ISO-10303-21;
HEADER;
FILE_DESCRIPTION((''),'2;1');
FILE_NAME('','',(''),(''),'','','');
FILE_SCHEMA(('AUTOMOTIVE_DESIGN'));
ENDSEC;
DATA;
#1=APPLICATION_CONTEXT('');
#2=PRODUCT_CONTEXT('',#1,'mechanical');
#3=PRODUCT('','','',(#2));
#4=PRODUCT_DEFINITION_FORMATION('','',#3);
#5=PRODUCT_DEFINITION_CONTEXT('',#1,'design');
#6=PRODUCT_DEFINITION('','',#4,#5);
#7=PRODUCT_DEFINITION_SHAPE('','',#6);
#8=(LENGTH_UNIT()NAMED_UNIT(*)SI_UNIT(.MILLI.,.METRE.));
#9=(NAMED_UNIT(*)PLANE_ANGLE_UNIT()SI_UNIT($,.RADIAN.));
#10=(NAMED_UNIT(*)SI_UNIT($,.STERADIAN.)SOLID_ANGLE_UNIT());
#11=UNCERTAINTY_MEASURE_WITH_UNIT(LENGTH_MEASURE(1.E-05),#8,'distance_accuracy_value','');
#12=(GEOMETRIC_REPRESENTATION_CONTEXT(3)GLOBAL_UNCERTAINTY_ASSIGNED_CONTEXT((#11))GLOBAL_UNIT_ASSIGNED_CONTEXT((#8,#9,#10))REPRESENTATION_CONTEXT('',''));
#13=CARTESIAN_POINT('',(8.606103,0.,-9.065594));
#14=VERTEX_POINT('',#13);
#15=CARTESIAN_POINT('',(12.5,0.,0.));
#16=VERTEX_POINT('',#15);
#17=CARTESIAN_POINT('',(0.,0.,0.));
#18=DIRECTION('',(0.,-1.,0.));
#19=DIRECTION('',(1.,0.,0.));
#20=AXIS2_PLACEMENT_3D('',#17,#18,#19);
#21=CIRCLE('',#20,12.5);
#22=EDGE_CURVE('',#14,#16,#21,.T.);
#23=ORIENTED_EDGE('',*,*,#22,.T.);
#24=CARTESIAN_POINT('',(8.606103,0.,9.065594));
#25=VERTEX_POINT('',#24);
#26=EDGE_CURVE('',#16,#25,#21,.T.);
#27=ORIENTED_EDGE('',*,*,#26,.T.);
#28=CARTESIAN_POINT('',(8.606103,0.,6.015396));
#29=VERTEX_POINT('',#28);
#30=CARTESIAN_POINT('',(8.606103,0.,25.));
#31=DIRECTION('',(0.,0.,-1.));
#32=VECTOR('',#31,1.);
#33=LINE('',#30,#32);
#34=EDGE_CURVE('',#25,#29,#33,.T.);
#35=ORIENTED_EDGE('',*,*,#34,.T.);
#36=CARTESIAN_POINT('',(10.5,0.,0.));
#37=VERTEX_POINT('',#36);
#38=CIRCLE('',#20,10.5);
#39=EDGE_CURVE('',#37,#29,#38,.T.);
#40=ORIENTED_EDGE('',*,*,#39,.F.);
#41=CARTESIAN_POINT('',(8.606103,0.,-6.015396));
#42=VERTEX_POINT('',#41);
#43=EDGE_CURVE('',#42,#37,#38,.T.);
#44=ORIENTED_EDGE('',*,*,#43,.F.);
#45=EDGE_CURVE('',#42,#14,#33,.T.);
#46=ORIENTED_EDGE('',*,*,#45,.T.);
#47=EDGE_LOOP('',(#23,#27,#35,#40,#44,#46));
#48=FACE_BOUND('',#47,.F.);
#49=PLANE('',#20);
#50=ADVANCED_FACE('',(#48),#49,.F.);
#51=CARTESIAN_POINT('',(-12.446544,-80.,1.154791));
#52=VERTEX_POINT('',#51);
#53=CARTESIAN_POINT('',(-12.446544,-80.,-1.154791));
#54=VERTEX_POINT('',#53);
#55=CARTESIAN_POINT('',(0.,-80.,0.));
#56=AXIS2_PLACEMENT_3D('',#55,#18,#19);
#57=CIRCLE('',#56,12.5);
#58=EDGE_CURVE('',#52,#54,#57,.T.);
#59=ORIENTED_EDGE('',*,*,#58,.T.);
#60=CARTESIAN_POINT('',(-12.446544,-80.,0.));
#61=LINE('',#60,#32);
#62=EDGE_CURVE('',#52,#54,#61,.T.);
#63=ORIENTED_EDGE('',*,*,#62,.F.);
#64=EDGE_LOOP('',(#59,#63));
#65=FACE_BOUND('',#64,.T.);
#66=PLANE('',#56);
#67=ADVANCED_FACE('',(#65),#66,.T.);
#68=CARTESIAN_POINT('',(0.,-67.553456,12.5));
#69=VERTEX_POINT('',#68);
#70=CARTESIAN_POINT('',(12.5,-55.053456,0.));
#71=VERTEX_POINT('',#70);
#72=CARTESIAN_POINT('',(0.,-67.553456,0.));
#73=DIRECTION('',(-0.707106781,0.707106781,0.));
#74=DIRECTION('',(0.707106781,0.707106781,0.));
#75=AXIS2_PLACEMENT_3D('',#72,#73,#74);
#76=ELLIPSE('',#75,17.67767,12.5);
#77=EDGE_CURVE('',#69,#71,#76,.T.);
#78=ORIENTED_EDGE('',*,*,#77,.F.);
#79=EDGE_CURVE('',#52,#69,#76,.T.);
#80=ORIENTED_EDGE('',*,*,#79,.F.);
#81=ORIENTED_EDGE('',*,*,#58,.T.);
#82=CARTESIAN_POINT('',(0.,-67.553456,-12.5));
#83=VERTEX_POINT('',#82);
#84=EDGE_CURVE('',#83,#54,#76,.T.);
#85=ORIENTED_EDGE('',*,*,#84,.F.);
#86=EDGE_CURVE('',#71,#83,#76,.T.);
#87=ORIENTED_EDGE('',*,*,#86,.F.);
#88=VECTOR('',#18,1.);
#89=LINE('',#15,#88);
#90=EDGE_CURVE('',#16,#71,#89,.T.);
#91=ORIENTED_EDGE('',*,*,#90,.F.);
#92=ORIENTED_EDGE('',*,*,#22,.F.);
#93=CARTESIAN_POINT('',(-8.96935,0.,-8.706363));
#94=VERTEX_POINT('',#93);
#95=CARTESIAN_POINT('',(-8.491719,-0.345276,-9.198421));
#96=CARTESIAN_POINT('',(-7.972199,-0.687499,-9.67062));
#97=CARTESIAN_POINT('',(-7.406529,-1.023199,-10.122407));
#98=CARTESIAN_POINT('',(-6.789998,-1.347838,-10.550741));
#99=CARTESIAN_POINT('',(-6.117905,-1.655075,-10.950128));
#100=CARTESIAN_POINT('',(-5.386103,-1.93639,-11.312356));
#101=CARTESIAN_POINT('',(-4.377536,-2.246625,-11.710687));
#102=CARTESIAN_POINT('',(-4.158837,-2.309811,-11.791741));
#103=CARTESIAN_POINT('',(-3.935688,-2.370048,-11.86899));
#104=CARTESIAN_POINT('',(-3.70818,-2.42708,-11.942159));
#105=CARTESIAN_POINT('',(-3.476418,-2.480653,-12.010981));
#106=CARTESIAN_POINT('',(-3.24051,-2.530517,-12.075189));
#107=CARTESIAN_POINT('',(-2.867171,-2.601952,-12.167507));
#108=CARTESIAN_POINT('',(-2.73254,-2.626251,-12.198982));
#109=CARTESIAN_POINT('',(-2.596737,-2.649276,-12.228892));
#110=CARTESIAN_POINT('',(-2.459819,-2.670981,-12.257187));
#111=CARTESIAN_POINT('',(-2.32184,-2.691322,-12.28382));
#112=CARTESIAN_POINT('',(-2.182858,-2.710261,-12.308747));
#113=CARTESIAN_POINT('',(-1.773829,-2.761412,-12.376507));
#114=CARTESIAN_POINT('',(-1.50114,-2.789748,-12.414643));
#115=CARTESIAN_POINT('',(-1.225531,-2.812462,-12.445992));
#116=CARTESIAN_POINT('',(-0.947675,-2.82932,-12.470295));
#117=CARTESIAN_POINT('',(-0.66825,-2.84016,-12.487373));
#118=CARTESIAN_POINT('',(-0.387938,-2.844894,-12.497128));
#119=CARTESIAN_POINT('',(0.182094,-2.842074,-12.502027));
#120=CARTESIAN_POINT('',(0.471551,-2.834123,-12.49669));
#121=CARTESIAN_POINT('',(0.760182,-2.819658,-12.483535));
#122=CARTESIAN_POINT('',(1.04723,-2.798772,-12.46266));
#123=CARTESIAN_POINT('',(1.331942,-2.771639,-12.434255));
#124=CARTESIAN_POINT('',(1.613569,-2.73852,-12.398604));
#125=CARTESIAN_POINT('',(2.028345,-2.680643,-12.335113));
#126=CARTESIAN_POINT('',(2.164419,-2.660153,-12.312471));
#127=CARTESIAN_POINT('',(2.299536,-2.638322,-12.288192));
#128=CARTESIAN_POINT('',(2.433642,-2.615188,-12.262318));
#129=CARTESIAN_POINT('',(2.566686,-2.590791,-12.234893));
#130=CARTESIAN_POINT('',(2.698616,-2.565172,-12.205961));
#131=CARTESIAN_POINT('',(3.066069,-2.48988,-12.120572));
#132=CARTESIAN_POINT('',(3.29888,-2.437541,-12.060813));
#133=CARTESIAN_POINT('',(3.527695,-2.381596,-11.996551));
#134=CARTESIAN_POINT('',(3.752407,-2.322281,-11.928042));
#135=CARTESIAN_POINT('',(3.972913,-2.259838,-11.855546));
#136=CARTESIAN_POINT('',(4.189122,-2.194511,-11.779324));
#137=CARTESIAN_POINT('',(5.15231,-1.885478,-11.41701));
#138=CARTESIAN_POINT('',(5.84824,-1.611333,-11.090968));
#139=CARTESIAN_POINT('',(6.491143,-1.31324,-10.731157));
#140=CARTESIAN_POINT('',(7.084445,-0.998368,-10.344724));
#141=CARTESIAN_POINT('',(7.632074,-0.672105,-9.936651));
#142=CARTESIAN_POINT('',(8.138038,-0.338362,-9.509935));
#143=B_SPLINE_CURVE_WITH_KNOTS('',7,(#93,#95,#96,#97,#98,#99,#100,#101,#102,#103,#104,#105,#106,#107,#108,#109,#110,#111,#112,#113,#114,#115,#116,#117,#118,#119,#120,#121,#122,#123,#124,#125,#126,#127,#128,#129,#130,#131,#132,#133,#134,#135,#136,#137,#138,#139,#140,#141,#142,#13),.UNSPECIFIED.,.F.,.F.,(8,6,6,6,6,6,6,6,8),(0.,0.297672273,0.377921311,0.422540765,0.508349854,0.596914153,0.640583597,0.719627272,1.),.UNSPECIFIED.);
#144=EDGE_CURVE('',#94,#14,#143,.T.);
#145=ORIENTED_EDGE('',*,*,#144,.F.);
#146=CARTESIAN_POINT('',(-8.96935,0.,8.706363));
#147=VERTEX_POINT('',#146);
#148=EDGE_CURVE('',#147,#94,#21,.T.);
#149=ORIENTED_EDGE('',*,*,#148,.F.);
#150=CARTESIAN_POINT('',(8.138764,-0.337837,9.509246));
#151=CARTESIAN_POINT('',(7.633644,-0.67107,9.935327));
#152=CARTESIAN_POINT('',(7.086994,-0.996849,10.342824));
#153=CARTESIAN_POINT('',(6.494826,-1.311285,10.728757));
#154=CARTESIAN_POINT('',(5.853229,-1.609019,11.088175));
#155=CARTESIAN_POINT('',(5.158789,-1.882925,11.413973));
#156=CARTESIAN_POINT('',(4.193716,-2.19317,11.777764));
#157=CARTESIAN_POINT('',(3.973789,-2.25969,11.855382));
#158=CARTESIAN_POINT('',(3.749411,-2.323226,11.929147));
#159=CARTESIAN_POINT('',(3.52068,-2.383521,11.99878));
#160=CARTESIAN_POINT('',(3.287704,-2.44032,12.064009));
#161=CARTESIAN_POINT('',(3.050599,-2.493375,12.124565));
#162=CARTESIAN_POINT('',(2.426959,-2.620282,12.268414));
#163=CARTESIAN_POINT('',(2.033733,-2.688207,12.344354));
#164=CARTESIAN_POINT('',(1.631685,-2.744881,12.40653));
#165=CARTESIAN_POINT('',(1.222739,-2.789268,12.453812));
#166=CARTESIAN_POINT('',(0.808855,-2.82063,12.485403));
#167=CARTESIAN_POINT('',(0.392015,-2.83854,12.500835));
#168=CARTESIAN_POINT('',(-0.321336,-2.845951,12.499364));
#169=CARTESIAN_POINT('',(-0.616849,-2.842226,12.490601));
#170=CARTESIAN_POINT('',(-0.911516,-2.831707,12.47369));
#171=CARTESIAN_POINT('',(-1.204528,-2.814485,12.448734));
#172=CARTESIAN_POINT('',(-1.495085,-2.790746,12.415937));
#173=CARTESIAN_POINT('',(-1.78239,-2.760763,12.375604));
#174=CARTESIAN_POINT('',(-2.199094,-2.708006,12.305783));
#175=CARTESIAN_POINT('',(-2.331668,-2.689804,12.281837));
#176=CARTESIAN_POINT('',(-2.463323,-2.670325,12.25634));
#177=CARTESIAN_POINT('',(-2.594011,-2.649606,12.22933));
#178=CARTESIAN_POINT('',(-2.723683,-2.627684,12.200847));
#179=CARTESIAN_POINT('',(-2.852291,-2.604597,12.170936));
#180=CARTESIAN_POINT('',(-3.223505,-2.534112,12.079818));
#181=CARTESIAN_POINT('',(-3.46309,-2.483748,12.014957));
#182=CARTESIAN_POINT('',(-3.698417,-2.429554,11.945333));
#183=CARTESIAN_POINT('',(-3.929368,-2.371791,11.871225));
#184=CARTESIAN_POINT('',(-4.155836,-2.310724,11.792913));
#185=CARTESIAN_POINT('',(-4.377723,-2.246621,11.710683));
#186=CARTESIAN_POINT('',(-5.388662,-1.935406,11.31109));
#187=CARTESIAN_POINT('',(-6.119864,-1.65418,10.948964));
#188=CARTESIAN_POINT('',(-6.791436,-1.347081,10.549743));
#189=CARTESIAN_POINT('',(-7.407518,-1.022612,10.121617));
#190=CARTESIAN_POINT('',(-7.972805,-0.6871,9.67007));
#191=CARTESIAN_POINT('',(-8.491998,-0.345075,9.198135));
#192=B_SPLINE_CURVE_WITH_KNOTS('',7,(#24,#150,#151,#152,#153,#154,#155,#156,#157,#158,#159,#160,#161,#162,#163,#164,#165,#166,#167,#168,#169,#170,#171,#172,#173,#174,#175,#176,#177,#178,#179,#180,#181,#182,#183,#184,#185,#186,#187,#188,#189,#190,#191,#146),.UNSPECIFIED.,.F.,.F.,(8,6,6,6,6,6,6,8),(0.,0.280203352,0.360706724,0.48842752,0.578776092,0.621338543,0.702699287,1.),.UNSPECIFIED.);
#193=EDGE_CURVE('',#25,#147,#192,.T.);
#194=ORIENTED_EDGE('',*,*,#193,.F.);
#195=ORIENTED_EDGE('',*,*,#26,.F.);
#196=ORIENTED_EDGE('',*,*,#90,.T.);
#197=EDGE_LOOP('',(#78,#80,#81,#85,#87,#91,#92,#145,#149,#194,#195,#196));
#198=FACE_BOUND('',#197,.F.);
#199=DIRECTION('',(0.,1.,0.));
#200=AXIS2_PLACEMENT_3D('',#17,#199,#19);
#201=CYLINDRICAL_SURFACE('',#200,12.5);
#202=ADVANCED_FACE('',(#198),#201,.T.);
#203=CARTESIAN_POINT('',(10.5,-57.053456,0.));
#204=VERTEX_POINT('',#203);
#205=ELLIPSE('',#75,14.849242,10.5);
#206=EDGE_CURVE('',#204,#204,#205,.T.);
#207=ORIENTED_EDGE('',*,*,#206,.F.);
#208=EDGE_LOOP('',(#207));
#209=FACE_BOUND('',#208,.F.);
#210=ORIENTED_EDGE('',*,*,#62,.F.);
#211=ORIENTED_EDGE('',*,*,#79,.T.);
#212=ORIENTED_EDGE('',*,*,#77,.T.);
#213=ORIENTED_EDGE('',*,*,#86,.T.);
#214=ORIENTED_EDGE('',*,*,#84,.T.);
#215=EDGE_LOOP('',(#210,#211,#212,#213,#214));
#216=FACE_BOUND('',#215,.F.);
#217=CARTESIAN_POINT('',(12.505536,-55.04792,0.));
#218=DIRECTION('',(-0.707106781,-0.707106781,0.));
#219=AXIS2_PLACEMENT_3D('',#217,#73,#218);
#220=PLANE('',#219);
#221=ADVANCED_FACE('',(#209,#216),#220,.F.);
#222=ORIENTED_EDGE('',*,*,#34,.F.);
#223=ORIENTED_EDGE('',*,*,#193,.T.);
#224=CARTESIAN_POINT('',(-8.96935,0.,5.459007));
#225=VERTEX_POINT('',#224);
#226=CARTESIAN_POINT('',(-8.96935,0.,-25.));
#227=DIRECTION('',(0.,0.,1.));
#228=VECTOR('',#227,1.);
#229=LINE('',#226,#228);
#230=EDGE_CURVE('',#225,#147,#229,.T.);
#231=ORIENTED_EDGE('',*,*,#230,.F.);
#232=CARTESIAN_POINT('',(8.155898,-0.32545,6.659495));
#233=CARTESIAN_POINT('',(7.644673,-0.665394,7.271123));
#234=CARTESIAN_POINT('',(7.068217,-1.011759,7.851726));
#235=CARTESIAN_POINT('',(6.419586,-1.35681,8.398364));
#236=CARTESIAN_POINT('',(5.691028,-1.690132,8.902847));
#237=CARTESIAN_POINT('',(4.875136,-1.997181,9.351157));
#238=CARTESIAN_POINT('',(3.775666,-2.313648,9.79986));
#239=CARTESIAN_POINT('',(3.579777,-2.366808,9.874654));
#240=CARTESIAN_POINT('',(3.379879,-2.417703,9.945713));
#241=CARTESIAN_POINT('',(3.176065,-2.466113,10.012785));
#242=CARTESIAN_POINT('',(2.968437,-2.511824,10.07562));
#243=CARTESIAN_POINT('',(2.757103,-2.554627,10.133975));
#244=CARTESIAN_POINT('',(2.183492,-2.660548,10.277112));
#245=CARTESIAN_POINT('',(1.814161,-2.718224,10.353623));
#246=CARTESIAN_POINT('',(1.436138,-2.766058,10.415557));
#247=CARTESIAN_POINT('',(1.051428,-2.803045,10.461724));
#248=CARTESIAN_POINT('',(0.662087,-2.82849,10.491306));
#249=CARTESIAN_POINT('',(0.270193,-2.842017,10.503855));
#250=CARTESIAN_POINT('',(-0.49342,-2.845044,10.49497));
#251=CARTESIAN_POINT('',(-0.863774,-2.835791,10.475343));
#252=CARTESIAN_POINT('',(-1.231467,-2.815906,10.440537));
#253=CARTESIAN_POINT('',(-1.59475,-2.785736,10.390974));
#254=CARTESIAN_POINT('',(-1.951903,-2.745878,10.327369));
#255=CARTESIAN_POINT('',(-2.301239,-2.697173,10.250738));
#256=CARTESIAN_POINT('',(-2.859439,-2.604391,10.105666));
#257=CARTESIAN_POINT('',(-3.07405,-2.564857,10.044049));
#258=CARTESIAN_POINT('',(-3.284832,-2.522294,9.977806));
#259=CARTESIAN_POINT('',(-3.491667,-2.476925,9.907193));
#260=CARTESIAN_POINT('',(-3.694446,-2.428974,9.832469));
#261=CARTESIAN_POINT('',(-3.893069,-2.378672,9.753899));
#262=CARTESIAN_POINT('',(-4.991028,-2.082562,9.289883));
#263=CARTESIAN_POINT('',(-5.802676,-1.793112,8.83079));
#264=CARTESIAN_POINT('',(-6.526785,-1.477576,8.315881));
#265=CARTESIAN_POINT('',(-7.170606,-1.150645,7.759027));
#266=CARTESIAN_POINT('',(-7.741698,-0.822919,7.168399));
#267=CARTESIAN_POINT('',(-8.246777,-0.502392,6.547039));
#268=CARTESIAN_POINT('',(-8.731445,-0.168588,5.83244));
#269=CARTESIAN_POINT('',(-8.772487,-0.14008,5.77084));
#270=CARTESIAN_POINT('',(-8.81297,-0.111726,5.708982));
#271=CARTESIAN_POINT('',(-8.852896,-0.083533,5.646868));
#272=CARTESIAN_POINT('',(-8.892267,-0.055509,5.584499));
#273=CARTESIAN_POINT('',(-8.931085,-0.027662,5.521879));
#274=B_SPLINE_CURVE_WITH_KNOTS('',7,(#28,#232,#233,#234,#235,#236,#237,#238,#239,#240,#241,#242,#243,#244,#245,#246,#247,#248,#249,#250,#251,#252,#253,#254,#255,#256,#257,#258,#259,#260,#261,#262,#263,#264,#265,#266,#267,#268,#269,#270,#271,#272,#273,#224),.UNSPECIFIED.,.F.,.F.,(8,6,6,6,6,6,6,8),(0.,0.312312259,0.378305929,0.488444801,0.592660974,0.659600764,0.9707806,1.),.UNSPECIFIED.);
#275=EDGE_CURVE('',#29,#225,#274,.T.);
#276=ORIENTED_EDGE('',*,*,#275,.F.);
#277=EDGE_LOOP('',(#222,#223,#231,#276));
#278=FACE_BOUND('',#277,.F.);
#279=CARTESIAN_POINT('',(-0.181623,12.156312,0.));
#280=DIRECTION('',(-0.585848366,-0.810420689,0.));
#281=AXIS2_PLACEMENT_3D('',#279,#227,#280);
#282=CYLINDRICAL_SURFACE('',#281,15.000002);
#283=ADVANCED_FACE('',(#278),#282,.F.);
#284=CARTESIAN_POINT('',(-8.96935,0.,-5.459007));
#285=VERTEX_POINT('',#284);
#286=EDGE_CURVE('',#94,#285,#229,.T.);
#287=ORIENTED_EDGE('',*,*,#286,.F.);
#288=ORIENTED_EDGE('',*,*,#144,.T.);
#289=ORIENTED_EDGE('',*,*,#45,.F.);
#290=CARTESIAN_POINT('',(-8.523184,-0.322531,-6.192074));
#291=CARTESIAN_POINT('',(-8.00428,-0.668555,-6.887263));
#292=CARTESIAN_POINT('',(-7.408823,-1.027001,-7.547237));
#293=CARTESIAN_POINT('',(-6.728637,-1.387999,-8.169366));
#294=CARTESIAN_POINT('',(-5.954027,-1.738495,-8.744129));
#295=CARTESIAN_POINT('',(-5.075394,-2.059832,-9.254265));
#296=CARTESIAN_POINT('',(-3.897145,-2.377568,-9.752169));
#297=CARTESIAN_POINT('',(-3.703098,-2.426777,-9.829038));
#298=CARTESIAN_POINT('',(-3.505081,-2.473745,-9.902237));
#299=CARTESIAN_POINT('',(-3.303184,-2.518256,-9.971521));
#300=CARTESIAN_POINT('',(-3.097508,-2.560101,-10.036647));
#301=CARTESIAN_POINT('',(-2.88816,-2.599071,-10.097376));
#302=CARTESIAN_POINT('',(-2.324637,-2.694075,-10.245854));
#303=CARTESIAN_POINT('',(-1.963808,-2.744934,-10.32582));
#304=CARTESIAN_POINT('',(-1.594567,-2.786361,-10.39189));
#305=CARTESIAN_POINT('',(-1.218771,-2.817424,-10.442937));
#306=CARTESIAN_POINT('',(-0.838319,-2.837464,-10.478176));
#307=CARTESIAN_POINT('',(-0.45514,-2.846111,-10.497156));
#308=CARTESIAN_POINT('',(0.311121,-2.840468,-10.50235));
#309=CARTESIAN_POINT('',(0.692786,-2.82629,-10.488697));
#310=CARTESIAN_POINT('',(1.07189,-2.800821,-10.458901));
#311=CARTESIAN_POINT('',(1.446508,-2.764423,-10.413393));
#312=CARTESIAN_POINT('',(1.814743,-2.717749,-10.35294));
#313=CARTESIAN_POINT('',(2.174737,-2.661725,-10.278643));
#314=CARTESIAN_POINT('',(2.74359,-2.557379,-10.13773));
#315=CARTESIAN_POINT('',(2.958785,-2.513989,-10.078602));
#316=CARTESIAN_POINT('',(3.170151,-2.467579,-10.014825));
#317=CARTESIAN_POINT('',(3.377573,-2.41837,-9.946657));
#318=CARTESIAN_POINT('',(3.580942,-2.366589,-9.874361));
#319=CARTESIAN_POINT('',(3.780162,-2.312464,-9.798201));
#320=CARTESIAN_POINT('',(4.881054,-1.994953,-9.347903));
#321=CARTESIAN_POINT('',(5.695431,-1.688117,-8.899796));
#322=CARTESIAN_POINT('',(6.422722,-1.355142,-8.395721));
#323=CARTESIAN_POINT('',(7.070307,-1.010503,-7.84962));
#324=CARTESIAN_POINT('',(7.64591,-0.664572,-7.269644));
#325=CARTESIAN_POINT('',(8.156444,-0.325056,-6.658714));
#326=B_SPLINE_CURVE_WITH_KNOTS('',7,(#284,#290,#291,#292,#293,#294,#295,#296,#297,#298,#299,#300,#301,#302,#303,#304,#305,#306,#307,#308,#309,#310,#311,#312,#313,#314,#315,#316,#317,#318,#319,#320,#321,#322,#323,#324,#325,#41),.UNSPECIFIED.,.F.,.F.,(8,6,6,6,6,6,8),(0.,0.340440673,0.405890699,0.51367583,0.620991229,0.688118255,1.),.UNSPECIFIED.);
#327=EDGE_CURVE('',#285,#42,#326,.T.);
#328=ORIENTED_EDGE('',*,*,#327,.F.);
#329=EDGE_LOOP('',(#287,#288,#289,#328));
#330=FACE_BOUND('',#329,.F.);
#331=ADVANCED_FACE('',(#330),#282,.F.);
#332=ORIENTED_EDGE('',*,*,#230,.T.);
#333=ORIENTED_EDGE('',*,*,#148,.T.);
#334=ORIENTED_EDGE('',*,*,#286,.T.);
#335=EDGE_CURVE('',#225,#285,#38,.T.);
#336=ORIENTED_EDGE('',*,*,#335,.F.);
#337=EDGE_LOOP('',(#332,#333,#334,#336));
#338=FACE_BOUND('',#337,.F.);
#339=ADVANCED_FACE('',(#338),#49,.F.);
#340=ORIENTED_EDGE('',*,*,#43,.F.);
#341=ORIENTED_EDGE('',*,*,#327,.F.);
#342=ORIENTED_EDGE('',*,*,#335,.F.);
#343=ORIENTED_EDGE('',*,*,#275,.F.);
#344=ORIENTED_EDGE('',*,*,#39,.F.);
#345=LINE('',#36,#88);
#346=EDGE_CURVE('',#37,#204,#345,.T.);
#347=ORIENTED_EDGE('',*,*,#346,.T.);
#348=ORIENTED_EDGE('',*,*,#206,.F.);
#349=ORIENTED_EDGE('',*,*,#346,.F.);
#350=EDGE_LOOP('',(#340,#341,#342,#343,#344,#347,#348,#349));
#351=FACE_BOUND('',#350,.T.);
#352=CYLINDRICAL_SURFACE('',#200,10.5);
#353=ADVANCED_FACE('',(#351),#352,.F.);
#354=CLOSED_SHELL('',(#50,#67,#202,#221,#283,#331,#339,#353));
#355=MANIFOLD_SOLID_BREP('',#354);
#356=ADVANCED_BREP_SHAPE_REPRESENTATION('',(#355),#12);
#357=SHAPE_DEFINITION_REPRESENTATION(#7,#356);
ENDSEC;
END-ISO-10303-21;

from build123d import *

# Parameters (mm, degrees)
F0_R     = 12.5
F0_R_2   = 10.5
F1_DEPTH = 80
F3_DEPTH = 12.5
F5_DEPTH = 25


with BuildPart() as f1:
    # F0 (on Front) → F1 (new body)
    with BuildSketch(Plane.XZ):
        Circle(F0_R)
        Circle(F0_R_2, mode=Mode.SUBTRACT)
    extrude(amount=F1_DEPTH)

    # F2 (on Top) → F3 (cut, symmetric)
    with BuildSketch(Plane.XY):
        Polygon((12.505536, -55.04792), (-12.494464, -80.04792), (12.505536, -80.04792), align=None)
    extrude(amount=F3_DEPTH, both=True, mode=Mode.SUBTRACT)

    # F4 (on Top) → F5 (cut, symmetric)
    with BuildSketch(Plane.XY):
        with BuildLine():
            Line((8.606103, 0), (-8.96935, 0))
            ThreePointArc((-8.96935, 0), (-0.181624, -2.84369), (8.606103, 0))
        make_face()
    extrude(amount=F5_DEPTH, both=True, mode=Mode.SUBTRACT)


solid = f1.part
